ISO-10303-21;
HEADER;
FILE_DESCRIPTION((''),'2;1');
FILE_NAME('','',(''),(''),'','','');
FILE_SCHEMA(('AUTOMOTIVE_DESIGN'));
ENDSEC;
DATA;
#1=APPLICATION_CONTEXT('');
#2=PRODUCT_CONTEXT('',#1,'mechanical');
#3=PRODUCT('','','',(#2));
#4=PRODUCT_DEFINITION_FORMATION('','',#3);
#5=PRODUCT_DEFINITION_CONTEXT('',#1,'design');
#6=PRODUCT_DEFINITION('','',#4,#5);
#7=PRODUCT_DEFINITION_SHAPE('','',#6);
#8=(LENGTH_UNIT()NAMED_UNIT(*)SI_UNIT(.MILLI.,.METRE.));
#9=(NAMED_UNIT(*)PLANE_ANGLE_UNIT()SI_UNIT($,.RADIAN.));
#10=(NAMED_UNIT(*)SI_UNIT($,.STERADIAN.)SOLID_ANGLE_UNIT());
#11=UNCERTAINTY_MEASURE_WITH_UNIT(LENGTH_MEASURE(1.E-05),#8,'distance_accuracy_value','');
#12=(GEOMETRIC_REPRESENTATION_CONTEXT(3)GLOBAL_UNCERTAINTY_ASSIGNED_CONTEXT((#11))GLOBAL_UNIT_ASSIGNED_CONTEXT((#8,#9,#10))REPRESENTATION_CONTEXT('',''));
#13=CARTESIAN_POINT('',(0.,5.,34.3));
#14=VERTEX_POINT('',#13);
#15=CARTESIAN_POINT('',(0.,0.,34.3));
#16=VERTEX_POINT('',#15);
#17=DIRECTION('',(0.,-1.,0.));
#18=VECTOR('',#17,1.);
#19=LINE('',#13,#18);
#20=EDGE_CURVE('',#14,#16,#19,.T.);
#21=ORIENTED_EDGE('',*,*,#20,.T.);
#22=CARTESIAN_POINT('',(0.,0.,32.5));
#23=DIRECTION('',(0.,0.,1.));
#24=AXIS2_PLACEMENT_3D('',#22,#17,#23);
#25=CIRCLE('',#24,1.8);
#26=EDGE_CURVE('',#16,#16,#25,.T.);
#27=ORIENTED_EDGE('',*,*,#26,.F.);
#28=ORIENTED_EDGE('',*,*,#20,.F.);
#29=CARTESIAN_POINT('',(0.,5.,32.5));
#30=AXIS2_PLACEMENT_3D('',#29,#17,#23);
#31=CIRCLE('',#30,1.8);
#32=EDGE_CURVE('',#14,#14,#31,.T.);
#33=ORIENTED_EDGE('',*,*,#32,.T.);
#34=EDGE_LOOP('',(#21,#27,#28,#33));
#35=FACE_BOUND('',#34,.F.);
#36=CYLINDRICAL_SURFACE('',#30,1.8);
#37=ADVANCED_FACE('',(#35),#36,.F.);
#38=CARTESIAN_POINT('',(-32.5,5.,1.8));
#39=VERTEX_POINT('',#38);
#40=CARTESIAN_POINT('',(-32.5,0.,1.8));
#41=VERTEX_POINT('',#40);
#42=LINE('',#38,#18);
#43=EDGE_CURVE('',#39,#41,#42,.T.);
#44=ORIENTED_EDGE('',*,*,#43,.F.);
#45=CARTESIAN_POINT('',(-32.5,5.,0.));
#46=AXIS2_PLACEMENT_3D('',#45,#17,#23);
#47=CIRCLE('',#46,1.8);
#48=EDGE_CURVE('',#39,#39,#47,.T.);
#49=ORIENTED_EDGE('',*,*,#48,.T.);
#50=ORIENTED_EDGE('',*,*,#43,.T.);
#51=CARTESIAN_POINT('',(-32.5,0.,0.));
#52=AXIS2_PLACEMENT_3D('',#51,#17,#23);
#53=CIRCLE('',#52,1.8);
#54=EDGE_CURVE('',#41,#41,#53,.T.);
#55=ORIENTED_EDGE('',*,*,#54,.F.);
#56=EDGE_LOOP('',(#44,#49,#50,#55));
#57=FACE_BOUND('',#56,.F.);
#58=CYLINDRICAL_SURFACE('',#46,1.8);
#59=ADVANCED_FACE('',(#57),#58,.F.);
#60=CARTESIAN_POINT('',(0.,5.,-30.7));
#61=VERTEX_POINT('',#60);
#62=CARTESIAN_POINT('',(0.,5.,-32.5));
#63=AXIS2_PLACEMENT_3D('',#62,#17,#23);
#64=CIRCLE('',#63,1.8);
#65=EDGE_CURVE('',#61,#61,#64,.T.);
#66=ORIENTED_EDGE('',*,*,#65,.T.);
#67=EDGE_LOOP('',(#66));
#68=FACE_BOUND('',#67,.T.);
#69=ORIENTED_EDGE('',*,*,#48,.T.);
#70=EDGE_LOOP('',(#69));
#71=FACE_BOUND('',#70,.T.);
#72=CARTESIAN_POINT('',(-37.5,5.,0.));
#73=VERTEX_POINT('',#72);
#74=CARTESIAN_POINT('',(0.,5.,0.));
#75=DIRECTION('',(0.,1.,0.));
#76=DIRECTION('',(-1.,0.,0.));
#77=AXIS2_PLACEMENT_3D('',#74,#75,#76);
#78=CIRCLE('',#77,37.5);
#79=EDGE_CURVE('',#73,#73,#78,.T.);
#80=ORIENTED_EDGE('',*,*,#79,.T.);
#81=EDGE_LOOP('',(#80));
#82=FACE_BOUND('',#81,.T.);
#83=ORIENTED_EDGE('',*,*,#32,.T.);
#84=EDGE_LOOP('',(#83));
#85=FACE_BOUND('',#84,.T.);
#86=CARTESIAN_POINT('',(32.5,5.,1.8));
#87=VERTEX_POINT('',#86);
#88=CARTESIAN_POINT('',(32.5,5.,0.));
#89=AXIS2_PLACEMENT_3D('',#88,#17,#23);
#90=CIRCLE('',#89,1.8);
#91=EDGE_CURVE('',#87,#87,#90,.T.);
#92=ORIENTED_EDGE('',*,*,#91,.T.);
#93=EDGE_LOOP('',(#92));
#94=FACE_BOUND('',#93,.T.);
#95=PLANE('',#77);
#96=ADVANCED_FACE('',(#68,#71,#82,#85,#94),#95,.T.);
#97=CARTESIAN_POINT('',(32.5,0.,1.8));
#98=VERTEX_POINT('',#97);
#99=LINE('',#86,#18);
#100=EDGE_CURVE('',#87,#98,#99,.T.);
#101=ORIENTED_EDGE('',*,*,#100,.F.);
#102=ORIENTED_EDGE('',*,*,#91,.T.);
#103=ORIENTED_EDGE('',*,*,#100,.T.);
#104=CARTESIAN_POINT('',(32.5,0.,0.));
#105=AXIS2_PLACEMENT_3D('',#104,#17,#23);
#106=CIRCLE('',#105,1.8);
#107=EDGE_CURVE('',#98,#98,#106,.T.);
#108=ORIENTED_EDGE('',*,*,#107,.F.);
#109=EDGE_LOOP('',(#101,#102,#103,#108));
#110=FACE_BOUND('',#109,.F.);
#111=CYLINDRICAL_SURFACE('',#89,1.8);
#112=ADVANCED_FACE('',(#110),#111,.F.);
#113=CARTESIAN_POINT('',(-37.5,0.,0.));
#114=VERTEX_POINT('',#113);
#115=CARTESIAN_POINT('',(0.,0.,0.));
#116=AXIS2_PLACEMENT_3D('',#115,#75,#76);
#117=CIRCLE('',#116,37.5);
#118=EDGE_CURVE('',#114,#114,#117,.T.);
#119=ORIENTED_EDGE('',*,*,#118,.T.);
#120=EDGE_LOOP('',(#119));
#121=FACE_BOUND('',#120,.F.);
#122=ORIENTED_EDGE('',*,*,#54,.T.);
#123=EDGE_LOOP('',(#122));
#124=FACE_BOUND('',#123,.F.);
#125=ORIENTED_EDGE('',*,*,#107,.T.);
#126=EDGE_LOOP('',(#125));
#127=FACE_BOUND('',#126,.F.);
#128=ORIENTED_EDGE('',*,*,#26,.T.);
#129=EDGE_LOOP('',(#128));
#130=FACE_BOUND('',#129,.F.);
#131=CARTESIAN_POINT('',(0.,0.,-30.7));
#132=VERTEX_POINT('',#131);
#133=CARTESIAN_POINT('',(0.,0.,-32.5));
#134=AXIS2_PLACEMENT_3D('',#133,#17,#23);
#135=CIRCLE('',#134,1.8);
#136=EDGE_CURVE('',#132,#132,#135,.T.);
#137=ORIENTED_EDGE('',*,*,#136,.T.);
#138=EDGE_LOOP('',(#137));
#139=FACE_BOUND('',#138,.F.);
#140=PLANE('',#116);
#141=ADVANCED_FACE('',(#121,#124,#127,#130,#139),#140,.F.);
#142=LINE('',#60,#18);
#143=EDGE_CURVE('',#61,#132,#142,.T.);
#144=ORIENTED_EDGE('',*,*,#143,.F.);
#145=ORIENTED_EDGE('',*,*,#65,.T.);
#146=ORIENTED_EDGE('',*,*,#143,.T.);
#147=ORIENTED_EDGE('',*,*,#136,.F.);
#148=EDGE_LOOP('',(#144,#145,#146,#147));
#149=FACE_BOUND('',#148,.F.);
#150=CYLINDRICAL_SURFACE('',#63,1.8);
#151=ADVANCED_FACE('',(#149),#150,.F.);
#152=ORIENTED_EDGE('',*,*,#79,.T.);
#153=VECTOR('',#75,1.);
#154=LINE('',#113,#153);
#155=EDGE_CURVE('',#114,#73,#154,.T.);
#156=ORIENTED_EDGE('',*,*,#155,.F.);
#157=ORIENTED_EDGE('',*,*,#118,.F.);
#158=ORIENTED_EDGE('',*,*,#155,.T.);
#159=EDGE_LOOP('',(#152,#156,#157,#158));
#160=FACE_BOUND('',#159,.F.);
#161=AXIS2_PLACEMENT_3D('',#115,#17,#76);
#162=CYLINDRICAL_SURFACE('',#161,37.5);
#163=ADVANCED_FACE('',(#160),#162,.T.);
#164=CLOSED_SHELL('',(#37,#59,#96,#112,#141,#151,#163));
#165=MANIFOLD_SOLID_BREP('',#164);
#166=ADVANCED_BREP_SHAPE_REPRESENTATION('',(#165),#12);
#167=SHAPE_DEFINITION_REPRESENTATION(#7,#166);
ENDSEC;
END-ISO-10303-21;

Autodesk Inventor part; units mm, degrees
ref_plane "YZ Plane" through (0, 0, 0) normal (1, 0, 0) x (0, 1, 0)
ref_plane "XZ Plane" through (0, 0, 0) normal (0, 1, 0) x (-1, 0, 0)
ref_plane "XY Plane" through (0, 0, 0) normal (0, 0, 1) x (1, 0, 0)
sketch "Sketch1" plane through (0, 0, 0) normal (0, 1, 0) x (-1, 0, 0)
  circle A0 centre (0, 0) radius 37.5
  dimension "d0" = 75
extrude "Extrusion1" add sketch "Sketch1" along normal blind 5
sketch "Sketch3" plane through (0, 5, 0) normal (0, 1, 0) x (1, 0, 0)
  circle A0 centre (0, 0) radius 37.5 projected
  line L0 (0, 32.5) -> (0, 37.5)
  line L1 (-32.5, 0) -> (-37.5, 0)
  line L2 (0, -32.5) -> (0, -37.5)
  line L3 (32.5, 0) -> (37.5, 0)
  dimension "d6" = 360
  dimension "d10" = 360
  dimension "d12" = 5
hole "Hole2" at (0, 5, -32.5) at (-32.5, 5, 0) at (0, 5, 32.5) at (32.5, 5, 0) direction (0, -1, 0) diameter 3.6 end through all
properties part number "podstava"
